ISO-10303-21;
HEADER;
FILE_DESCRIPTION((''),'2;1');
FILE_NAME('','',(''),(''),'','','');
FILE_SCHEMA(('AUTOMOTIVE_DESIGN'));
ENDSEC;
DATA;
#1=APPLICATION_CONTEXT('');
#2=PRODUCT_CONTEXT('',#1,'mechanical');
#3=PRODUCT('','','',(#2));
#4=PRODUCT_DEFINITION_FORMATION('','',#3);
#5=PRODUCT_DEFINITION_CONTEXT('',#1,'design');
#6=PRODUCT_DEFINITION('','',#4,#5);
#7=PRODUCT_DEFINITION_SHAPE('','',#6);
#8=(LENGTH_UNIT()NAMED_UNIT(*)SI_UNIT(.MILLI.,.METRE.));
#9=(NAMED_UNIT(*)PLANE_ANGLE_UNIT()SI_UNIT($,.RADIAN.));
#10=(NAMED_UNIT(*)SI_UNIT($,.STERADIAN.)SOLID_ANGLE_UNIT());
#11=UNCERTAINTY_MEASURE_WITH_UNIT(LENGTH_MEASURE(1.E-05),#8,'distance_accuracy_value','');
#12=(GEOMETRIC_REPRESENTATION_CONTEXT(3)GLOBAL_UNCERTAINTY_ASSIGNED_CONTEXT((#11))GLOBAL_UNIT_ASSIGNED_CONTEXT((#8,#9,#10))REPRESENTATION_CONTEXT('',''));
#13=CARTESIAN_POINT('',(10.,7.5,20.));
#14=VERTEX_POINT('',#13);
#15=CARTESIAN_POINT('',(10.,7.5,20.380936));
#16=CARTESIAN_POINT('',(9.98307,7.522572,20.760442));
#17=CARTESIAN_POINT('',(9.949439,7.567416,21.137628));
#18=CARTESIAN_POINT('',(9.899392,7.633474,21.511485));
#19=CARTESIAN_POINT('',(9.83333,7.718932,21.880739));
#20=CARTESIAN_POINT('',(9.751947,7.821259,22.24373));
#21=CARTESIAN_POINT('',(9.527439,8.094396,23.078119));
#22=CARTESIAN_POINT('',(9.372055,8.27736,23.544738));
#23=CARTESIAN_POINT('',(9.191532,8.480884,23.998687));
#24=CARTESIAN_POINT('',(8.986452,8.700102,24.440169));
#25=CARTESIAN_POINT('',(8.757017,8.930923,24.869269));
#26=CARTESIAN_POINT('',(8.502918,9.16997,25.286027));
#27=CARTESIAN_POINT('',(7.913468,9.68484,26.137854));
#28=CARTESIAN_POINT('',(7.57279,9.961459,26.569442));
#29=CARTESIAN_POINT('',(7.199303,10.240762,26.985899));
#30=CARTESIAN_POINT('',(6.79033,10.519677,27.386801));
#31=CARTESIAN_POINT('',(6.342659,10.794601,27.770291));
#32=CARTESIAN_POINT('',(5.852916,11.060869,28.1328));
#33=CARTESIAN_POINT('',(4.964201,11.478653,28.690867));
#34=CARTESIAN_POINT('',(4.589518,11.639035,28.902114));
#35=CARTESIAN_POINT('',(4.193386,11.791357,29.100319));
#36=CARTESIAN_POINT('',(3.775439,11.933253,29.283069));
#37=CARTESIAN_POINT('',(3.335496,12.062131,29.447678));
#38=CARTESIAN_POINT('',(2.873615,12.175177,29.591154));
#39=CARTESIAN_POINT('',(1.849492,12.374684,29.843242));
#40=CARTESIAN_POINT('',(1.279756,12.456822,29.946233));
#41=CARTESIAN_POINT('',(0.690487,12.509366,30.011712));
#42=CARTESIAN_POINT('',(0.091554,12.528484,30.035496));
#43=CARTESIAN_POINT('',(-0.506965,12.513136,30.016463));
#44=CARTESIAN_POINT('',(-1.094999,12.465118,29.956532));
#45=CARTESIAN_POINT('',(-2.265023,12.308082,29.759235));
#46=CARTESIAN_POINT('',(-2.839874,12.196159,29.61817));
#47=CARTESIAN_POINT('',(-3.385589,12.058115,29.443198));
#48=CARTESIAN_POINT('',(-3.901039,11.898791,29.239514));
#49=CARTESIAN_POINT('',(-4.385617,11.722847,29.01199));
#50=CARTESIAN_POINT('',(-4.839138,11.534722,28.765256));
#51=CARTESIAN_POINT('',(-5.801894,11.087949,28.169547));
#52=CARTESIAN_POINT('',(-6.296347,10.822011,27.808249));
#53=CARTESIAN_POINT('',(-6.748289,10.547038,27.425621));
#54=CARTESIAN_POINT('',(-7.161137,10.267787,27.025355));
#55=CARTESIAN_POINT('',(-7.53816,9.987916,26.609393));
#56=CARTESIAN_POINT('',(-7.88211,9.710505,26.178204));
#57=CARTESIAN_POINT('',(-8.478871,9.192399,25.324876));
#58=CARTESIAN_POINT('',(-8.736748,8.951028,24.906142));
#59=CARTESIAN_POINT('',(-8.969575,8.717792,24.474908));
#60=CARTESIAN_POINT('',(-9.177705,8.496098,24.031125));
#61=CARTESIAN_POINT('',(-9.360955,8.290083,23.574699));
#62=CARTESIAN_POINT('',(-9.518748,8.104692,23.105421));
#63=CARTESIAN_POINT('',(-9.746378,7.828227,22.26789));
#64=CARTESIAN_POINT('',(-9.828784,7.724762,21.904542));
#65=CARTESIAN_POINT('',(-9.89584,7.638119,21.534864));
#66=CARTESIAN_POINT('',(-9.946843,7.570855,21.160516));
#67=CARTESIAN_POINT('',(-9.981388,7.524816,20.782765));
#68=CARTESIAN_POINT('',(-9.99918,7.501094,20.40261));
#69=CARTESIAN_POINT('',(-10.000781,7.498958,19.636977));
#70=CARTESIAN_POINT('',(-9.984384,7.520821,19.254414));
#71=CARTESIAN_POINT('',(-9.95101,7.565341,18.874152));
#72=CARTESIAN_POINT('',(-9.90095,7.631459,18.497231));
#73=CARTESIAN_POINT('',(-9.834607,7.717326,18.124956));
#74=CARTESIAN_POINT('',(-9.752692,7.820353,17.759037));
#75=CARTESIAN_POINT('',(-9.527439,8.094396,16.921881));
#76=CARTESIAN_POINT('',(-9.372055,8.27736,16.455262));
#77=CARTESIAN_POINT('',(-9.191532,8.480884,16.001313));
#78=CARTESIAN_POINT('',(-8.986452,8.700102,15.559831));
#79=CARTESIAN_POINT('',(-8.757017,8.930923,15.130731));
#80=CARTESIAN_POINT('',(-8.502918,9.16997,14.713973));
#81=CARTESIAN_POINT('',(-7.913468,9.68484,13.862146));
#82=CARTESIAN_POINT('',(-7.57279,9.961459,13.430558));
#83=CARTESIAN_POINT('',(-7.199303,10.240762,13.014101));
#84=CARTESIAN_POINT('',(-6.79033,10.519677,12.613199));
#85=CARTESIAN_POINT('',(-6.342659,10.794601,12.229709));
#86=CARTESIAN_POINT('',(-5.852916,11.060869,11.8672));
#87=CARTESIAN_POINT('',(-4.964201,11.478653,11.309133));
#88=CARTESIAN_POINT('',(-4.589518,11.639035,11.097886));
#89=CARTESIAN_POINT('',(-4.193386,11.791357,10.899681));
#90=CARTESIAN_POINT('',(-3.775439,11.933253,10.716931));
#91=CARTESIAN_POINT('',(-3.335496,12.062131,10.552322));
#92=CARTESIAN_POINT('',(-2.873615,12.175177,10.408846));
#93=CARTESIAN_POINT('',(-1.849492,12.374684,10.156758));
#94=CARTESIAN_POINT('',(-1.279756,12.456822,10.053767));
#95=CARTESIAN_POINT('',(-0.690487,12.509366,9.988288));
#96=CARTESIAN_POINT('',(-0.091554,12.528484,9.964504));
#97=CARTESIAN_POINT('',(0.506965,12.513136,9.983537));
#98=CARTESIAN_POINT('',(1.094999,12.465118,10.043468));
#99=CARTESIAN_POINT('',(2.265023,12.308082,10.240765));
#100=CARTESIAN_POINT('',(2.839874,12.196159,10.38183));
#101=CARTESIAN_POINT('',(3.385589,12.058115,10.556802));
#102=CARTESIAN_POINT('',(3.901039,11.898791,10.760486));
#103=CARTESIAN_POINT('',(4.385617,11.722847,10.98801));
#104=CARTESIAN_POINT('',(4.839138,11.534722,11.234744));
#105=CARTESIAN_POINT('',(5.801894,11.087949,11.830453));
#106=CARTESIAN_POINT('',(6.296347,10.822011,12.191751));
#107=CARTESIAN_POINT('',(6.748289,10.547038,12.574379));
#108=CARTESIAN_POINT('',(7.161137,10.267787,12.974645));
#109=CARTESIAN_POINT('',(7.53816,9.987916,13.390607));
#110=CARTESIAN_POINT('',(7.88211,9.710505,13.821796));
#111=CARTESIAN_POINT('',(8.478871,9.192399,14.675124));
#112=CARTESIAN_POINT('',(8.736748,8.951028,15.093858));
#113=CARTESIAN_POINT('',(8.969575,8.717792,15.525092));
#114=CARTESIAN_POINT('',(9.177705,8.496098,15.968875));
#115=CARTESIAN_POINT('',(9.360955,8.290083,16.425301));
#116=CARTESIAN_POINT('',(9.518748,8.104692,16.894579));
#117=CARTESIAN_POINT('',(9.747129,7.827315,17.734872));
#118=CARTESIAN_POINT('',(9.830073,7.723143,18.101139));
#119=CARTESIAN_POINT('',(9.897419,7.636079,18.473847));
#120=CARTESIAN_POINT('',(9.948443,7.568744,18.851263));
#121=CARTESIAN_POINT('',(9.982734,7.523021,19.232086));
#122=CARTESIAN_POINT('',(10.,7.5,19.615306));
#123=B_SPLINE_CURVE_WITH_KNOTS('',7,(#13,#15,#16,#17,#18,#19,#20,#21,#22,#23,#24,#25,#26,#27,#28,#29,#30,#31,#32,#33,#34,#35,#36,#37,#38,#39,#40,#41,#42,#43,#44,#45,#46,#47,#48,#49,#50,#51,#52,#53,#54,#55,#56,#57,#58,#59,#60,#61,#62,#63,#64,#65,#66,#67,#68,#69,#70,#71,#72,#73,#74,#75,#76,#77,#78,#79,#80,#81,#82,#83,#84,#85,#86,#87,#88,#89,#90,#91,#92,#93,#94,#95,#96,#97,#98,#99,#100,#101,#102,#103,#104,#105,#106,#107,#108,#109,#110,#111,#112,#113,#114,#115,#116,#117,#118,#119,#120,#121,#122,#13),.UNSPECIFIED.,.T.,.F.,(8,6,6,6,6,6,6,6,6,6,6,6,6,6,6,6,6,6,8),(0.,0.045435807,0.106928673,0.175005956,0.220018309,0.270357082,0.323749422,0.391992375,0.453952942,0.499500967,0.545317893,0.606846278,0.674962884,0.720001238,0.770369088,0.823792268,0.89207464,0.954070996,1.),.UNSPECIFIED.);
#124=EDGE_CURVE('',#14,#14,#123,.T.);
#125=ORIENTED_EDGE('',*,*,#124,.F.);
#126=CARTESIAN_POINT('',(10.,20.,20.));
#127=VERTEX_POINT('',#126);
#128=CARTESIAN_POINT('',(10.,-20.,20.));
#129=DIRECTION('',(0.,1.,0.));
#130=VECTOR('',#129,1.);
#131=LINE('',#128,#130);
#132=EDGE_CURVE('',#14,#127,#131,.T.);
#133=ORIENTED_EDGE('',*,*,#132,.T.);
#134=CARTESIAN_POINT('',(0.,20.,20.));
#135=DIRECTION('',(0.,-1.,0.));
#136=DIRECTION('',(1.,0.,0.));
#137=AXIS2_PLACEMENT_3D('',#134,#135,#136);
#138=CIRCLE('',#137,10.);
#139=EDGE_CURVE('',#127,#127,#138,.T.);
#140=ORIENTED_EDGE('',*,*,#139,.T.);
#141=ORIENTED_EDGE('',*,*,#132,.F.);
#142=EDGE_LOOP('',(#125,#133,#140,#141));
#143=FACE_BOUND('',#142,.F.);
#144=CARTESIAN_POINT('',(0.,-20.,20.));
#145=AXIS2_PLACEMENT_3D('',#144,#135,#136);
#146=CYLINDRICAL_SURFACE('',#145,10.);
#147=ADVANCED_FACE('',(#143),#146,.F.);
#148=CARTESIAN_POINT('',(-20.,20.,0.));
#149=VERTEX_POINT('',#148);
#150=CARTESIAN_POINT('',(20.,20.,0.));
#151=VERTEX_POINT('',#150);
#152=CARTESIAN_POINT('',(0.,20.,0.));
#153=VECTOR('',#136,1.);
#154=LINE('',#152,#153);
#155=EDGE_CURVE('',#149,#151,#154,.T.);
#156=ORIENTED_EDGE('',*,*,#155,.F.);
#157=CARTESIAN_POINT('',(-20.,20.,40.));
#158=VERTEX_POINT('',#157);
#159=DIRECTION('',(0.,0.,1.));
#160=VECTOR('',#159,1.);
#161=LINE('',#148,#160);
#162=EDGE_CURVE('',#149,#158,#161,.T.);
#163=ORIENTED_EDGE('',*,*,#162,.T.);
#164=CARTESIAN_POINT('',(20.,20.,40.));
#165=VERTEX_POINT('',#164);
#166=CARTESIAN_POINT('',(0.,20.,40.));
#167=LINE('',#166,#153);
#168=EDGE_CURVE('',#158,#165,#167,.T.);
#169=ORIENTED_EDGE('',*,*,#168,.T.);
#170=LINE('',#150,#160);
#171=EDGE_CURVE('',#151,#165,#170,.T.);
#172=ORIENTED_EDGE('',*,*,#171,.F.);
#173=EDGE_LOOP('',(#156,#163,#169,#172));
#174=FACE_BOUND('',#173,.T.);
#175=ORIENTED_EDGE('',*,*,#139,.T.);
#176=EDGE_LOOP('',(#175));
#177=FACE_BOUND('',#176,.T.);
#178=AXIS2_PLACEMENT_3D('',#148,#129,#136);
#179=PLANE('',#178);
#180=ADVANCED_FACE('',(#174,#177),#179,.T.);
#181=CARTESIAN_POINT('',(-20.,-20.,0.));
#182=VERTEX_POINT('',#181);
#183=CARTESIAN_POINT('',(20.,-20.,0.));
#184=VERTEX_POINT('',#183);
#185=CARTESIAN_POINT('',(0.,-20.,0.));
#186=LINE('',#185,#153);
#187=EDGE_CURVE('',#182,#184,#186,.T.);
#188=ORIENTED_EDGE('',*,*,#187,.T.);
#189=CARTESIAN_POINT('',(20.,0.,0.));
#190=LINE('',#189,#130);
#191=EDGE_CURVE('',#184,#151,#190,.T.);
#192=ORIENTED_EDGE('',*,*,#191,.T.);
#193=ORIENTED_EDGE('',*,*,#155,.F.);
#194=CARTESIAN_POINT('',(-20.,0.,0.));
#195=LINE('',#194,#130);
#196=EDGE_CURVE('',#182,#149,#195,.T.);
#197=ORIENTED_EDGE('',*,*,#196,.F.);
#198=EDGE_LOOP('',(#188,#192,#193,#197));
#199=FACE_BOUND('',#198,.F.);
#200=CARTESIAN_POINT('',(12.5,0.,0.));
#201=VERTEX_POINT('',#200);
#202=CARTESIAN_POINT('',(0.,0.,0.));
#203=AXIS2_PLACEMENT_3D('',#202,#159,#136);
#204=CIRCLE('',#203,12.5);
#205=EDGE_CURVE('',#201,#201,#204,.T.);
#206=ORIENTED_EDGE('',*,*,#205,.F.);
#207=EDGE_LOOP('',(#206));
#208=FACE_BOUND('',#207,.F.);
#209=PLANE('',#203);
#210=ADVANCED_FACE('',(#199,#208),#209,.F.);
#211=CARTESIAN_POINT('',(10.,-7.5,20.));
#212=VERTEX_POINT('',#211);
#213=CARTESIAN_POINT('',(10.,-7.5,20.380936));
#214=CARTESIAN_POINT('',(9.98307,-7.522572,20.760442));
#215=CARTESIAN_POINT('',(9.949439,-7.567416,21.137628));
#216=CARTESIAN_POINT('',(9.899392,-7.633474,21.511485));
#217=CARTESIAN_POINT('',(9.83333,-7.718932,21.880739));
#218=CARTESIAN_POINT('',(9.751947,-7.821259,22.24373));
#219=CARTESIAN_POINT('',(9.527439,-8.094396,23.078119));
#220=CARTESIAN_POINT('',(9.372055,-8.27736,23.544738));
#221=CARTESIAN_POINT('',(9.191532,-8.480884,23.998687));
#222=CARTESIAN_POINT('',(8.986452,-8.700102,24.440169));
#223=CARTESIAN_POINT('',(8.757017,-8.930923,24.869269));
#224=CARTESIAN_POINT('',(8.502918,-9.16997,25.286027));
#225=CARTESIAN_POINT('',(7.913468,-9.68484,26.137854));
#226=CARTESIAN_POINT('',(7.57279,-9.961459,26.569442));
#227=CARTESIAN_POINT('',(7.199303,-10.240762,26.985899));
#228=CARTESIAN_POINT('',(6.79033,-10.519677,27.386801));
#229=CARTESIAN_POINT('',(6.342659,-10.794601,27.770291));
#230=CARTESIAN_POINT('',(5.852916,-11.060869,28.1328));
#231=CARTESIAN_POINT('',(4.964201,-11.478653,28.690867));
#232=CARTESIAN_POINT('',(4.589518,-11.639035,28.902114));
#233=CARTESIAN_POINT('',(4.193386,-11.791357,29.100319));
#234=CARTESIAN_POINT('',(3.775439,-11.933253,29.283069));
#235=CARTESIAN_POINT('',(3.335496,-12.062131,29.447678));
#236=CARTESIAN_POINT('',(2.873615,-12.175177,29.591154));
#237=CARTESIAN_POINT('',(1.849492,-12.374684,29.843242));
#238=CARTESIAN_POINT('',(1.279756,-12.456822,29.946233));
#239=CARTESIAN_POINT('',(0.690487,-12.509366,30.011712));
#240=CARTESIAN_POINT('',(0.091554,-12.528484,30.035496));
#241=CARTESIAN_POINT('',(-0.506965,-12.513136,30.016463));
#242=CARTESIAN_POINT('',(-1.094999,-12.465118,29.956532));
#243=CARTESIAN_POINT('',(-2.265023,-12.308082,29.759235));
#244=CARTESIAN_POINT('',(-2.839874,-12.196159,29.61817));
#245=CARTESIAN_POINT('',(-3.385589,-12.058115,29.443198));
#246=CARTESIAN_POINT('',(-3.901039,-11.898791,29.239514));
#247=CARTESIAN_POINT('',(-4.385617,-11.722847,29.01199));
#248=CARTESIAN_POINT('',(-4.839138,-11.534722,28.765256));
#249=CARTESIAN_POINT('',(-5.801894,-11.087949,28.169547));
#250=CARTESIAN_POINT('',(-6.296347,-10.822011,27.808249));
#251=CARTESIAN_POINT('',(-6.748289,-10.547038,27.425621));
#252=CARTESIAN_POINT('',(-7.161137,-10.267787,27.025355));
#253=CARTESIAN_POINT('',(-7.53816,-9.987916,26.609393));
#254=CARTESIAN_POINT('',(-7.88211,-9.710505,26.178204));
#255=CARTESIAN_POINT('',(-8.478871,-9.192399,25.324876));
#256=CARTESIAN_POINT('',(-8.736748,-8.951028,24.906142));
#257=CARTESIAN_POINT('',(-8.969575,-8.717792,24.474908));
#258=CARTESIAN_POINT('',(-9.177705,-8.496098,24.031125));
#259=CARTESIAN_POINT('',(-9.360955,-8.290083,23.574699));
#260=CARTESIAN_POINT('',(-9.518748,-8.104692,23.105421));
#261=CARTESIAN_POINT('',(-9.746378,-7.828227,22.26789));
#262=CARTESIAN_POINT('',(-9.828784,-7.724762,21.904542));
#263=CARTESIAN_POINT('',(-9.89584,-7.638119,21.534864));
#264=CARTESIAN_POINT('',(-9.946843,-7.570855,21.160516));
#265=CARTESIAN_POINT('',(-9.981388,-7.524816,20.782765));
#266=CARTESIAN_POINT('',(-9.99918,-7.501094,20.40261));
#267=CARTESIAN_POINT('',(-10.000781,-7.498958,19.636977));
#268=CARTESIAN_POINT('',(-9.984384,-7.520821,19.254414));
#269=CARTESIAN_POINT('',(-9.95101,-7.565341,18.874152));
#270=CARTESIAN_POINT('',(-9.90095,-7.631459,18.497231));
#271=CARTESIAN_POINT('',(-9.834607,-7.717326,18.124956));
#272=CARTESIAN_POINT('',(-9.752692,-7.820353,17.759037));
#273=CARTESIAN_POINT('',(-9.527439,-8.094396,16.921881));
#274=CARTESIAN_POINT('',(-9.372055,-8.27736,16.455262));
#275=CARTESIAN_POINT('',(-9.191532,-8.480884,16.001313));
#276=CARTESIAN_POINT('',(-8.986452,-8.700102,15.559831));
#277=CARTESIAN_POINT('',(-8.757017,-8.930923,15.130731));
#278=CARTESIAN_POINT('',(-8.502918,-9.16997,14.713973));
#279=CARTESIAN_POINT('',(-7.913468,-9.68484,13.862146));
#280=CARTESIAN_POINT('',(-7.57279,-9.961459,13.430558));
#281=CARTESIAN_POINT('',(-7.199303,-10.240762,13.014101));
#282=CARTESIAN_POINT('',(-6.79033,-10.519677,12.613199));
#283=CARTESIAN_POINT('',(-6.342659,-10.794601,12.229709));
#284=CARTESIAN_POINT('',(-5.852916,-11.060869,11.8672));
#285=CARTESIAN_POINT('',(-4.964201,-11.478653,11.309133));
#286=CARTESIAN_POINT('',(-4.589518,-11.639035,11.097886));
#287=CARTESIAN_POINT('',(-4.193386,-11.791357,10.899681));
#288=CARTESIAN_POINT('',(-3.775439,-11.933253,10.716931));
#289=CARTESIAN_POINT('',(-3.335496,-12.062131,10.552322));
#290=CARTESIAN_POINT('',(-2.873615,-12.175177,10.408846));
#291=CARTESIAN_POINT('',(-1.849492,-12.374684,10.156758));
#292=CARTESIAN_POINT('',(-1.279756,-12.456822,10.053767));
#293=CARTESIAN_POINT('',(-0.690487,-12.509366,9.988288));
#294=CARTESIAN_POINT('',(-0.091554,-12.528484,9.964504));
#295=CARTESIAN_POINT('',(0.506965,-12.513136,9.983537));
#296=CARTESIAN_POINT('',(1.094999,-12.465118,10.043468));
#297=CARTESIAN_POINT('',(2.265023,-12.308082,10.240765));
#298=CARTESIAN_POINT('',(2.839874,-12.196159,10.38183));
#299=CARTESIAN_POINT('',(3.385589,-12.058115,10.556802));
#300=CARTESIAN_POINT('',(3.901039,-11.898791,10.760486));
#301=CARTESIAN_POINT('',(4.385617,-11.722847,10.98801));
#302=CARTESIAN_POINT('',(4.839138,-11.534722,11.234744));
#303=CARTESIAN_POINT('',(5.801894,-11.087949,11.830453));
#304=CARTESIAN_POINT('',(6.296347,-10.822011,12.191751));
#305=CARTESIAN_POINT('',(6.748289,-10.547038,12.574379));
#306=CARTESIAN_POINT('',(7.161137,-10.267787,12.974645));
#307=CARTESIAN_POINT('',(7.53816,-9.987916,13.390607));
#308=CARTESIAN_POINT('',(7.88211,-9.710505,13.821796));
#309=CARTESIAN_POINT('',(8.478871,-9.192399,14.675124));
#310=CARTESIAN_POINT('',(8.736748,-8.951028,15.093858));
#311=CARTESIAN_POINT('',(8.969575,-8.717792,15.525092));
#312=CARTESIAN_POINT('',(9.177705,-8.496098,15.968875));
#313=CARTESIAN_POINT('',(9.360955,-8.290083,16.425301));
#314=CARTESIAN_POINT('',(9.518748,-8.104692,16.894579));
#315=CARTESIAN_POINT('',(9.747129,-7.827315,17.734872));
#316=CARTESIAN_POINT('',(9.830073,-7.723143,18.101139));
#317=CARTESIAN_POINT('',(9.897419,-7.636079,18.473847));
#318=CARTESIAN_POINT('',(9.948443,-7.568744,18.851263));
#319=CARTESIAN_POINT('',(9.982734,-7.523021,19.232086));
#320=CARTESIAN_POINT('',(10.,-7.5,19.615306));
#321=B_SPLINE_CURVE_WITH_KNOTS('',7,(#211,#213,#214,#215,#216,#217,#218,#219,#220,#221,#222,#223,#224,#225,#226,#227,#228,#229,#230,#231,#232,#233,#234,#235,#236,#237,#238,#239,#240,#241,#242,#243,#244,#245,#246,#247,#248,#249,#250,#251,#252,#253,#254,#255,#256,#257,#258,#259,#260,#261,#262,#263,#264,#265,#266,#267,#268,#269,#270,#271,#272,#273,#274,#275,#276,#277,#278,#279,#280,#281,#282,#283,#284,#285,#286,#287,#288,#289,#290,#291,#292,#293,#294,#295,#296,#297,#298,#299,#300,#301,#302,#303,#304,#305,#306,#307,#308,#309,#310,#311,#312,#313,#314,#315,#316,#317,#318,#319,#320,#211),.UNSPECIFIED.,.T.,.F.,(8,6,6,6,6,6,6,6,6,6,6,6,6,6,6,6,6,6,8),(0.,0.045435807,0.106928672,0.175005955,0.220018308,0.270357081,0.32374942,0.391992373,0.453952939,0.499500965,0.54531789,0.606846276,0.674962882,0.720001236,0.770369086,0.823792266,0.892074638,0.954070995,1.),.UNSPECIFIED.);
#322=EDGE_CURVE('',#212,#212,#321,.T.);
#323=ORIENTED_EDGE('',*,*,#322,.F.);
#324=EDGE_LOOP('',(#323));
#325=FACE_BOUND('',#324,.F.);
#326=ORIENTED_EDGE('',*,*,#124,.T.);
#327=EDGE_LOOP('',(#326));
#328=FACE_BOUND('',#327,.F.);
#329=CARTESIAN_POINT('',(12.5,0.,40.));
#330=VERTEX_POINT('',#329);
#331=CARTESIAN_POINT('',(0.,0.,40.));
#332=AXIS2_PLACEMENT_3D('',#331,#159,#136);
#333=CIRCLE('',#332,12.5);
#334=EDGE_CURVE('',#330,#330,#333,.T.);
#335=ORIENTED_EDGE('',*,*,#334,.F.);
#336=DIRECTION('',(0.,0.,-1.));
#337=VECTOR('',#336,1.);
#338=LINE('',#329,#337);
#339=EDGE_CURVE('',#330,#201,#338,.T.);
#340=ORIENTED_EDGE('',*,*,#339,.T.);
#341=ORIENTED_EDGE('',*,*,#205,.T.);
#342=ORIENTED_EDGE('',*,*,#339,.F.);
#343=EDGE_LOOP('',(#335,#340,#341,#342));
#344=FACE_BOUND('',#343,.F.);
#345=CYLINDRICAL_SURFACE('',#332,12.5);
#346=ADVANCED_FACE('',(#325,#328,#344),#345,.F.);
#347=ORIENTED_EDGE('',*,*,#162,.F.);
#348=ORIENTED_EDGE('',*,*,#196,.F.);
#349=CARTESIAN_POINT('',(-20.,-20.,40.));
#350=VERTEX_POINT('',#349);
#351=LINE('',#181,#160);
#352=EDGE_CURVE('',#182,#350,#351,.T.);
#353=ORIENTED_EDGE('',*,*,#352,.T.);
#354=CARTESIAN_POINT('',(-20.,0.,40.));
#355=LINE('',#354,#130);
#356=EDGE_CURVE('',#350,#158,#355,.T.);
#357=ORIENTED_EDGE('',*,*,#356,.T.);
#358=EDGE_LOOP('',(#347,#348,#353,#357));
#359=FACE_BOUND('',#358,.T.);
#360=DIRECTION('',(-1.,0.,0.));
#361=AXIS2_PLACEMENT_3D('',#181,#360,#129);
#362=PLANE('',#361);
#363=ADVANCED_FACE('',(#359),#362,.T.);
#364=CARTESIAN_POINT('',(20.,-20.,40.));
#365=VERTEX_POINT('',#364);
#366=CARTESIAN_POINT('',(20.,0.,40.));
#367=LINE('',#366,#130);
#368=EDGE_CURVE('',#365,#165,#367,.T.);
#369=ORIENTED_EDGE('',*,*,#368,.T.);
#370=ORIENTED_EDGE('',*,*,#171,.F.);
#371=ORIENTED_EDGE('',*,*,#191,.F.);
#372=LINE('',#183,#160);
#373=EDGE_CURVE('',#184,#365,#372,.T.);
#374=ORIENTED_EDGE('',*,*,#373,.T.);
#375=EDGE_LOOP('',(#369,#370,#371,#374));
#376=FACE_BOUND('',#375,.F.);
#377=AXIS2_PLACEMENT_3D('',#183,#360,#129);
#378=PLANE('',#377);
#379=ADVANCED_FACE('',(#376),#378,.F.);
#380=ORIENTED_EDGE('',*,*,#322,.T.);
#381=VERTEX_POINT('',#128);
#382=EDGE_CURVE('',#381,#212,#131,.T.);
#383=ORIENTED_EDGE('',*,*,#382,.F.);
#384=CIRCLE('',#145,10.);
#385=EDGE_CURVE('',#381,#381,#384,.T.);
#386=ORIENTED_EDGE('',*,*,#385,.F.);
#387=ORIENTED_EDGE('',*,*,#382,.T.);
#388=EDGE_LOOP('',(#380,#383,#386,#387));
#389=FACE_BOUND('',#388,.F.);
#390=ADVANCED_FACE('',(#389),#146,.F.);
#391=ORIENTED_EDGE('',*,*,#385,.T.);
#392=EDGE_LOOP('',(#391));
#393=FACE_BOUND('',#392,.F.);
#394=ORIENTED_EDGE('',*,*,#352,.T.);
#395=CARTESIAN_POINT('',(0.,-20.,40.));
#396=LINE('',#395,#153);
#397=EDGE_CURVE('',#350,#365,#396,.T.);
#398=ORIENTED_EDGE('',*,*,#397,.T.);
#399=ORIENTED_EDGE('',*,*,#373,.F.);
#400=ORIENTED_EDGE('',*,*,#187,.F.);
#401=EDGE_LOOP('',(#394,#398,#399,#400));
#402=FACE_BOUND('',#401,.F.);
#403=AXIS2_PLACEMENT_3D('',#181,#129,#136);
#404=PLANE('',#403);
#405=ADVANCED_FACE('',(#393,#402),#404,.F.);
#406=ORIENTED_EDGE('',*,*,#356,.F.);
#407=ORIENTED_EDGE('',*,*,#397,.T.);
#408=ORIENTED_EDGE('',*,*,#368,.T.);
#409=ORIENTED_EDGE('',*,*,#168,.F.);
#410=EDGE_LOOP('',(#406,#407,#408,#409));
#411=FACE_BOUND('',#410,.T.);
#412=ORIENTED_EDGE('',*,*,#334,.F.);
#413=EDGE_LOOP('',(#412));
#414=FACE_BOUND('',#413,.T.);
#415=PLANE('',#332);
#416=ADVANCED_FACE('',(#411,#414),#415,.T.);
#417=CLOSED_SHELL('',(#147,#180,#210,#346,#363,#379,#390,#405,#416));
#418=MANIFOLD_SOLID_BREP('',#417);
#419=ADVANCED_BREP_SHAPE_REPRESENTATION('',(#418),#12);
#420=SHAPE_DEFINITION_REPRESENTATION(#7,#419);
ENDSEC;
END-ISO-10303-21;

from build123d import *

# Parameters (mm, degrees)
SKETCH_W        = 40
SKETCH_H        = 40
PAD_DEPTH       = 40
SKETCH001_R     = 12.5
POCKET_DEPTH    = 40.001
SKETCH002_R     = 10
POCKET001_DEPTH = 40.001


with BuildPart() as part:
    # Sketch → Pad (new body)
    with BuildSketch(Plane.XY):
        Rectangle(SKETCH_W, SKETCH_H)
    extrude(amount=PAD_DEPTH)

    # Sketch001 (on Face6 of Pad) → Pocket (cut, through all)
    with BuildSketch(Plane.XY.offset(40)):
        Circle(SKETCH001_R)
    extrude(amount=-POCKET_DEPTH, mode=Mode.SUBTRACT)

    # Sketch002 (on Face6 of Pocket) → Pocket001 (cut, through all)
    with BuildSketch(Plane.XZ.offset(20)):
        with Locations((0, 20)):
            Circle(SKETCH002_R)
    extrude(amount=-POCKET001_DEPTH, mode=Mode.SUBTRACT)


solid = part.part
